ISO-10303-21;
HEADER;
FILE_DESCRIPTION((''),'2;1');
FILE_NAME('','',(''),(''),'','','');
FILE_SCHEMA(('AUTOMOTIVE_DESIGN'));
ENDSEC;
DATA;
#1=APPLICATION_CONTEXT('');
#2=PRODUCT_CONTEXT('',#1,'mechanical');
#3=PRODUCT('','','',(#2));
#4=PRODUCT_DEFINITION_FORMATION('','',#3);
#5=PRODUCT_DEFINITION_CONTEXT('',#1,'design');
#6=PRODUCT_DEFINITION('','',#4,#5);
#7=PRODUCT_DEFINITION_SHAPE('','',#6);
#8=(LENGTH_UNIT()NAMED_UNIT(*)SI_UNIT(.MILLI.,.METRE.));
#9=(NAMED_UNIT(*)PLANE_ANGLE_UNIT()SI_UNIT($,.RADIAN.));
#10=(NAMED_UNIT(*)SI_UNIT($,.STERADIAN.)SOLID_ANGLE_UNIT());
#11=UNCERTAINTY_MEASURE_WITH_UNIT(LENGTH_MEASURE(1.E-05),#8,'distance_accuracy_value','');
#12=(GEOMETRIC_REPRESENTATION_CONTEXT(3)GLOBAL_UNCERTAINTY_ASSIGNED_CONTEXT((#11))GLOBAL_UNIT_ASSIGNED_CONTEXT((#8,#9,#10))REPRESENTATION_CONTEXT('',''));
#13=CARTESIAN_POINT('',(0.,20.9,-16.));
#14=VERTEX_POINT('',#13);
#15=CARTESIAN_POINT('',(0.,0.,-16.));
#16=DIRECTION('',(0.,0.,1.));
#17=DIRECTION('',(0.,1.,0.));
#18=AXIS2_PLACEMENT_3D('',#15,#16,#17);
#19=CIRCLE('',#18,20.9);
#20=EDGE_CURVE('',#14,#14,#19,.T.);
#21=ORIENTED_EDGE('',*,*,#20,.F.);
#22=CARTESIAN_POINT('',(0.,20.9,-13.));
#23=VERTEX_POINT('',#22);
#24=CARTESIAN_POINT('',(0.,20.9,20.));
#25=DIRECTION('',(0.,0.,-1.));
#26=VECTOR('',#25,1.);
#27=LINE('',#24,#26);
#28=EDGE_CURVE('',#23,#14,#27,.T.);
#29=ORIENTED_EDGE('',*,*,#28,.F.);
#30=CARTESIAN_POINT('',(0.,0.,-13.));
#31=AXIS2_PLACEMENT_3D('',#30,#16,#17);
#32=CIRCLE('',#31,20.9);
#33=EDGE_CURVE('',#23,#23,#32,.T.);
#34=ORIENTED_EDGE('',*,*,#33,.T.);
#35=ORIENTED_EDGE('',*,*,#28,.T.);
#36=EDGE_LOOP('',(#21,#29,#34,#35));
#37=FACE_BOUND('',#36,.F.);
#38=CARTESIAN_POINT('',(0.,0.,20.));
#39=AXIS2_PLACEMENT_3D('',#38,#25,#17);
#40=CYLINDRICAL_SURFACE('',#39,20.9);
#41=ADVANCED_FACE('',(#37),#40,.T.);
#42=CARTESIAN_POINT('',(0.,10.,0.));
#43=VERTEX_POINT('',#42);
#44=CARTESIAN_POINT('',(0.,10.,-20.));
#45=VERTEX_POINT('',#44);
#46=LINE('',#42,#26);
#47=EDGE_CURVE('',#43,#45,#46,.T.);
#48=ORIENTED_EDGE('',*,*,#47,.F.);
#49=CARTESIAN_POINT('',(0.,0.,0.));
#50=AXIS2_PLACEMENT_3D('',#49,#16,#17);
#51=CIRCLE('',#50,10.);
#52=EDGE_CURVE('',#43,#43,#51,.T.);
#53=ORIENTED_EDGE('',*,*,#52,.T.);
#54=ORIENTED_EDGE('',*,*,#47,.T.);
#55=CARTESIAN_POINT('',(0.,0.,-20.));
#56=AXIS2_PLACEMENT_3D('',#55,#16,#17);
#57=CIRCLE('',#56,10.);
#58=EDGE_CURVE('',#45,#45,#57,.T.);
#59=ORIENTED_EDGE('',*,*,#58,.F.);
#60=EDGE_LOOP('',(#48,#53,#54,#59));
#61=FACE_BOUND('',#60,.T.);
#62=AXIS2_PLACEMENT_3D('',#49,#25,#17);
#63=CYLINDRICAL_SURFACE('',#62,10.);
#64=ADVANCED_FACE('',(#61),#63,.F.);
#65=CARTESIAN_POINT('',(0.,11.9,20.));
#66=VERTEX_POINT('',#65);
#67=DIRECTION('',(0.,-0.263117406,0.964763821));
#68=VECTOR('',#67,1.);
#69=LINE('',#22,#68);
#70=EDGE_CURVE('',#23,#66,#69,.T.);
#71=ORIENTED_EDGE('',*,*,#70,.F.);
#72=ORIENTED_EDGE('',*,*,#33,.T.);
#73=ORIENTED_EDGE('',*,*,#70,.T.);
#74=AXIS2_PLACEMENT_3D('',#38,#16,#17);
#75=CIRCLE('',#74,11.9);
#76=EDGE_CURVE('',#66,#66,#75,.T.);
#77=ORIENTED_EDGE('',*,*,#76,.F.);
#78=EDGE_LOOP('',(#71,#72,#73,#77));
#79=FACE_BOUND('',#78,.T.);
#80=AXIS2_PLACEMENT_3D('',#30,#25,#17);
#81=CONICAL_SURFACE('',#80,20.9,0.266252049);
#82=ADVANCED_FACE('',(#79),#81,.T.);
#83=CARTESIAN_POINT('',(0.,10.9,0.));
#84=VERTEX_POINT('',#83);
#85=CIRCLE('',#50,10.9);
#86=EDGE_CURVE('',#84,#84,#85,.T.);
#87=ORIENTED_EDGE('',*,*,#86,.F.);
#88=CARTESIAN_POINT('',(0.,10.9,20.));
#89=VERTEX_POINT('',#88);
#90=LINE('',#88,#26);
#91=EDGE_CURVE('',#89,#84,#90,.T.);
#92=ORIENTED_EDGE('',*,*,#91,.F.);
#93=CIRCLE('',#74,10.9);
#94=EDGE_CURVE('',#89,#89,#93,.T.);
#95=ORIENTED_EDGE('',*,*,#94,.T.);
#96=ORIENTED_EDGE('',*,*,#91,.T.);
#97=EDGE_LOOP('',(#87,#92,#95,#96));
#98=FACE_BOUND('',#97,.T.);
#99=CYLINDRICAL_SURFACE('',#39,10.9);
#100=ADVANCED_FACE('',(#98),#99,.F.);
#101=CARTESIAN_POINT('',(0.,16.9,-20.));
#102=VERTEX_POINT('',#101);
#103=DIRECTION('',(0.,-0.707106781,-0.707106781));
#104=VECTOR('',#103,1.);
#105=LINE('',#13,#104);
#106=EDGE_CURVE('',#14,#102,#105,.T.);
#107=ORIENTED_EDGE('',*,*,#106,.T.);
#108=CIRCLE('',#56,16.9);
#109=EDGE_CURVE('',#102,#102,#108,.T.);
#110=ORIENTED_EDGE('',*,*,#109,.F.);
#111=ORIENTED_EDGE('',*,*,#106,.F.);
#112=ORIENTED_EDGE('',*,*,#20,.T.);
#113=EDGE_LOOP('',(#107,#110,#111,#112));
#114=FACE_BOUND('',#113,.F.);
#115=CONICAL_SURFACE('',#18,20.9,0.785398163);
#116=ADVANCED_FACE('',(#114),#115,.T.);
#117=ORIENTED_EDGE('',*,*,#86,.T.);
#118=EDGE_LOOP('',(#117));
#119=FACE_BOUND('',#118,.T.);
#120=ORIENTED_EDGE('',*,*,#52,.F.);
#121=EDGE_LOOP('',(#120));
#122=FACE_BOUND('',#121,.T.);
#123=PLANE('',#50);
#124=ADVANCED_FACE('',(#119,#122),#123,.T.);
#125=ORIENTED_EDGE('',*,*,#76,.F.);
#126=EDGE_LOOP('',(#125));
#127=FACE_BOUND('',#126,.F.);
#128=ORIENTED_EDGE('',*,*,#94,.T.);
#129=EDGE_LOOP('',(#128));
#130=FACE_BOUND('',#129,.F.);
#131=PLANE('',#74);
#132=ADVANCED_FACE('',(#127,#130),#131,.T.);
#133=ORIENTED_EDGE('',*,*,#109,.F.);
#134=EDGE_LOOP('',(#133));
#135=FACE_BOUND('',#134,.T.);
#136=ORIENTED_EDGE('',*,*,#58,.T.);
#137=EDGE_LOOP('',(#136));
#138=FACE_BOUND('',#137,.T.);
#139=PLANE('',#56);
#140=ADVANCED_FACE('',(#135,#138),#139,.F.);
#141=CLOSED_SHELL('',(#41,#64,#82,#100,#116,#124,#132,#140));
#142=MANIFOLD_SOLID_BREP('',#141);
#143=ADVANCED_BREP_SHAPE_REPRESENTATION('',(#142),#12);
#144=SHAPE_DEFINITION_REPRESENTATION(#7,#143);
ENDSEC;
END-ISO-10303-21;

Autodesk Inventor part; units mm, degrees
ref_plane "YZ Plane" through (0, 0, 0) normal (1, 0, 0) x (0, 1, 0)
ref_plane "XZ Plane" through (0, 0, 0) normal (0, 1, 0) x (-1, 0, 0)
ref_plane "XY Plane" through (0, 0, 0) normal (0, 0, 1) x (1, 0, 0)
sketch "スケッチ1" plane through (0, 0, 0) normal (1, 0, 0) x (0, 1, 0)
  line L0 (10.9, 20) -> (10.9, 0)
  line L1 (10.9, 0) -> (10, 0)
  line L2 (10, 0) -> (10, -20)
  line L3 (10, -20) -> (20.9, -20)
  line L4 (0, -28) -> (0, 28) projected
  line L5 (10.9, 20) -> (20.9, 20)
  line L6 (20.9, 20) -> (20.9, -20)
  point P0 (0, 0)
  dimension "d1" = 10
  dimension "d2" = 20
  dimension "d3" = 10.9
  dimension "d14" = 20.9
  dimension "d15" = 20
revolve "回転1" add sketch "スケッチ1" angle 360 about axis through (0, 0, -10) along (0, 0, 1)
thread "ねじ1" size "M20x2" class "6H" standard "ISO Metric profile" full length
chamfer "面取り1" distance 33 distance2 9 1 edges at (0, -20.9, 20) measured on face at (1.6818, 20.8322, -6.6667)
chamfer "面取り2" distance 4 angle 45 1 edges at (0, -20.9, -20)
properties part number "rod390_end_cap" material "ステンレス鋼"
